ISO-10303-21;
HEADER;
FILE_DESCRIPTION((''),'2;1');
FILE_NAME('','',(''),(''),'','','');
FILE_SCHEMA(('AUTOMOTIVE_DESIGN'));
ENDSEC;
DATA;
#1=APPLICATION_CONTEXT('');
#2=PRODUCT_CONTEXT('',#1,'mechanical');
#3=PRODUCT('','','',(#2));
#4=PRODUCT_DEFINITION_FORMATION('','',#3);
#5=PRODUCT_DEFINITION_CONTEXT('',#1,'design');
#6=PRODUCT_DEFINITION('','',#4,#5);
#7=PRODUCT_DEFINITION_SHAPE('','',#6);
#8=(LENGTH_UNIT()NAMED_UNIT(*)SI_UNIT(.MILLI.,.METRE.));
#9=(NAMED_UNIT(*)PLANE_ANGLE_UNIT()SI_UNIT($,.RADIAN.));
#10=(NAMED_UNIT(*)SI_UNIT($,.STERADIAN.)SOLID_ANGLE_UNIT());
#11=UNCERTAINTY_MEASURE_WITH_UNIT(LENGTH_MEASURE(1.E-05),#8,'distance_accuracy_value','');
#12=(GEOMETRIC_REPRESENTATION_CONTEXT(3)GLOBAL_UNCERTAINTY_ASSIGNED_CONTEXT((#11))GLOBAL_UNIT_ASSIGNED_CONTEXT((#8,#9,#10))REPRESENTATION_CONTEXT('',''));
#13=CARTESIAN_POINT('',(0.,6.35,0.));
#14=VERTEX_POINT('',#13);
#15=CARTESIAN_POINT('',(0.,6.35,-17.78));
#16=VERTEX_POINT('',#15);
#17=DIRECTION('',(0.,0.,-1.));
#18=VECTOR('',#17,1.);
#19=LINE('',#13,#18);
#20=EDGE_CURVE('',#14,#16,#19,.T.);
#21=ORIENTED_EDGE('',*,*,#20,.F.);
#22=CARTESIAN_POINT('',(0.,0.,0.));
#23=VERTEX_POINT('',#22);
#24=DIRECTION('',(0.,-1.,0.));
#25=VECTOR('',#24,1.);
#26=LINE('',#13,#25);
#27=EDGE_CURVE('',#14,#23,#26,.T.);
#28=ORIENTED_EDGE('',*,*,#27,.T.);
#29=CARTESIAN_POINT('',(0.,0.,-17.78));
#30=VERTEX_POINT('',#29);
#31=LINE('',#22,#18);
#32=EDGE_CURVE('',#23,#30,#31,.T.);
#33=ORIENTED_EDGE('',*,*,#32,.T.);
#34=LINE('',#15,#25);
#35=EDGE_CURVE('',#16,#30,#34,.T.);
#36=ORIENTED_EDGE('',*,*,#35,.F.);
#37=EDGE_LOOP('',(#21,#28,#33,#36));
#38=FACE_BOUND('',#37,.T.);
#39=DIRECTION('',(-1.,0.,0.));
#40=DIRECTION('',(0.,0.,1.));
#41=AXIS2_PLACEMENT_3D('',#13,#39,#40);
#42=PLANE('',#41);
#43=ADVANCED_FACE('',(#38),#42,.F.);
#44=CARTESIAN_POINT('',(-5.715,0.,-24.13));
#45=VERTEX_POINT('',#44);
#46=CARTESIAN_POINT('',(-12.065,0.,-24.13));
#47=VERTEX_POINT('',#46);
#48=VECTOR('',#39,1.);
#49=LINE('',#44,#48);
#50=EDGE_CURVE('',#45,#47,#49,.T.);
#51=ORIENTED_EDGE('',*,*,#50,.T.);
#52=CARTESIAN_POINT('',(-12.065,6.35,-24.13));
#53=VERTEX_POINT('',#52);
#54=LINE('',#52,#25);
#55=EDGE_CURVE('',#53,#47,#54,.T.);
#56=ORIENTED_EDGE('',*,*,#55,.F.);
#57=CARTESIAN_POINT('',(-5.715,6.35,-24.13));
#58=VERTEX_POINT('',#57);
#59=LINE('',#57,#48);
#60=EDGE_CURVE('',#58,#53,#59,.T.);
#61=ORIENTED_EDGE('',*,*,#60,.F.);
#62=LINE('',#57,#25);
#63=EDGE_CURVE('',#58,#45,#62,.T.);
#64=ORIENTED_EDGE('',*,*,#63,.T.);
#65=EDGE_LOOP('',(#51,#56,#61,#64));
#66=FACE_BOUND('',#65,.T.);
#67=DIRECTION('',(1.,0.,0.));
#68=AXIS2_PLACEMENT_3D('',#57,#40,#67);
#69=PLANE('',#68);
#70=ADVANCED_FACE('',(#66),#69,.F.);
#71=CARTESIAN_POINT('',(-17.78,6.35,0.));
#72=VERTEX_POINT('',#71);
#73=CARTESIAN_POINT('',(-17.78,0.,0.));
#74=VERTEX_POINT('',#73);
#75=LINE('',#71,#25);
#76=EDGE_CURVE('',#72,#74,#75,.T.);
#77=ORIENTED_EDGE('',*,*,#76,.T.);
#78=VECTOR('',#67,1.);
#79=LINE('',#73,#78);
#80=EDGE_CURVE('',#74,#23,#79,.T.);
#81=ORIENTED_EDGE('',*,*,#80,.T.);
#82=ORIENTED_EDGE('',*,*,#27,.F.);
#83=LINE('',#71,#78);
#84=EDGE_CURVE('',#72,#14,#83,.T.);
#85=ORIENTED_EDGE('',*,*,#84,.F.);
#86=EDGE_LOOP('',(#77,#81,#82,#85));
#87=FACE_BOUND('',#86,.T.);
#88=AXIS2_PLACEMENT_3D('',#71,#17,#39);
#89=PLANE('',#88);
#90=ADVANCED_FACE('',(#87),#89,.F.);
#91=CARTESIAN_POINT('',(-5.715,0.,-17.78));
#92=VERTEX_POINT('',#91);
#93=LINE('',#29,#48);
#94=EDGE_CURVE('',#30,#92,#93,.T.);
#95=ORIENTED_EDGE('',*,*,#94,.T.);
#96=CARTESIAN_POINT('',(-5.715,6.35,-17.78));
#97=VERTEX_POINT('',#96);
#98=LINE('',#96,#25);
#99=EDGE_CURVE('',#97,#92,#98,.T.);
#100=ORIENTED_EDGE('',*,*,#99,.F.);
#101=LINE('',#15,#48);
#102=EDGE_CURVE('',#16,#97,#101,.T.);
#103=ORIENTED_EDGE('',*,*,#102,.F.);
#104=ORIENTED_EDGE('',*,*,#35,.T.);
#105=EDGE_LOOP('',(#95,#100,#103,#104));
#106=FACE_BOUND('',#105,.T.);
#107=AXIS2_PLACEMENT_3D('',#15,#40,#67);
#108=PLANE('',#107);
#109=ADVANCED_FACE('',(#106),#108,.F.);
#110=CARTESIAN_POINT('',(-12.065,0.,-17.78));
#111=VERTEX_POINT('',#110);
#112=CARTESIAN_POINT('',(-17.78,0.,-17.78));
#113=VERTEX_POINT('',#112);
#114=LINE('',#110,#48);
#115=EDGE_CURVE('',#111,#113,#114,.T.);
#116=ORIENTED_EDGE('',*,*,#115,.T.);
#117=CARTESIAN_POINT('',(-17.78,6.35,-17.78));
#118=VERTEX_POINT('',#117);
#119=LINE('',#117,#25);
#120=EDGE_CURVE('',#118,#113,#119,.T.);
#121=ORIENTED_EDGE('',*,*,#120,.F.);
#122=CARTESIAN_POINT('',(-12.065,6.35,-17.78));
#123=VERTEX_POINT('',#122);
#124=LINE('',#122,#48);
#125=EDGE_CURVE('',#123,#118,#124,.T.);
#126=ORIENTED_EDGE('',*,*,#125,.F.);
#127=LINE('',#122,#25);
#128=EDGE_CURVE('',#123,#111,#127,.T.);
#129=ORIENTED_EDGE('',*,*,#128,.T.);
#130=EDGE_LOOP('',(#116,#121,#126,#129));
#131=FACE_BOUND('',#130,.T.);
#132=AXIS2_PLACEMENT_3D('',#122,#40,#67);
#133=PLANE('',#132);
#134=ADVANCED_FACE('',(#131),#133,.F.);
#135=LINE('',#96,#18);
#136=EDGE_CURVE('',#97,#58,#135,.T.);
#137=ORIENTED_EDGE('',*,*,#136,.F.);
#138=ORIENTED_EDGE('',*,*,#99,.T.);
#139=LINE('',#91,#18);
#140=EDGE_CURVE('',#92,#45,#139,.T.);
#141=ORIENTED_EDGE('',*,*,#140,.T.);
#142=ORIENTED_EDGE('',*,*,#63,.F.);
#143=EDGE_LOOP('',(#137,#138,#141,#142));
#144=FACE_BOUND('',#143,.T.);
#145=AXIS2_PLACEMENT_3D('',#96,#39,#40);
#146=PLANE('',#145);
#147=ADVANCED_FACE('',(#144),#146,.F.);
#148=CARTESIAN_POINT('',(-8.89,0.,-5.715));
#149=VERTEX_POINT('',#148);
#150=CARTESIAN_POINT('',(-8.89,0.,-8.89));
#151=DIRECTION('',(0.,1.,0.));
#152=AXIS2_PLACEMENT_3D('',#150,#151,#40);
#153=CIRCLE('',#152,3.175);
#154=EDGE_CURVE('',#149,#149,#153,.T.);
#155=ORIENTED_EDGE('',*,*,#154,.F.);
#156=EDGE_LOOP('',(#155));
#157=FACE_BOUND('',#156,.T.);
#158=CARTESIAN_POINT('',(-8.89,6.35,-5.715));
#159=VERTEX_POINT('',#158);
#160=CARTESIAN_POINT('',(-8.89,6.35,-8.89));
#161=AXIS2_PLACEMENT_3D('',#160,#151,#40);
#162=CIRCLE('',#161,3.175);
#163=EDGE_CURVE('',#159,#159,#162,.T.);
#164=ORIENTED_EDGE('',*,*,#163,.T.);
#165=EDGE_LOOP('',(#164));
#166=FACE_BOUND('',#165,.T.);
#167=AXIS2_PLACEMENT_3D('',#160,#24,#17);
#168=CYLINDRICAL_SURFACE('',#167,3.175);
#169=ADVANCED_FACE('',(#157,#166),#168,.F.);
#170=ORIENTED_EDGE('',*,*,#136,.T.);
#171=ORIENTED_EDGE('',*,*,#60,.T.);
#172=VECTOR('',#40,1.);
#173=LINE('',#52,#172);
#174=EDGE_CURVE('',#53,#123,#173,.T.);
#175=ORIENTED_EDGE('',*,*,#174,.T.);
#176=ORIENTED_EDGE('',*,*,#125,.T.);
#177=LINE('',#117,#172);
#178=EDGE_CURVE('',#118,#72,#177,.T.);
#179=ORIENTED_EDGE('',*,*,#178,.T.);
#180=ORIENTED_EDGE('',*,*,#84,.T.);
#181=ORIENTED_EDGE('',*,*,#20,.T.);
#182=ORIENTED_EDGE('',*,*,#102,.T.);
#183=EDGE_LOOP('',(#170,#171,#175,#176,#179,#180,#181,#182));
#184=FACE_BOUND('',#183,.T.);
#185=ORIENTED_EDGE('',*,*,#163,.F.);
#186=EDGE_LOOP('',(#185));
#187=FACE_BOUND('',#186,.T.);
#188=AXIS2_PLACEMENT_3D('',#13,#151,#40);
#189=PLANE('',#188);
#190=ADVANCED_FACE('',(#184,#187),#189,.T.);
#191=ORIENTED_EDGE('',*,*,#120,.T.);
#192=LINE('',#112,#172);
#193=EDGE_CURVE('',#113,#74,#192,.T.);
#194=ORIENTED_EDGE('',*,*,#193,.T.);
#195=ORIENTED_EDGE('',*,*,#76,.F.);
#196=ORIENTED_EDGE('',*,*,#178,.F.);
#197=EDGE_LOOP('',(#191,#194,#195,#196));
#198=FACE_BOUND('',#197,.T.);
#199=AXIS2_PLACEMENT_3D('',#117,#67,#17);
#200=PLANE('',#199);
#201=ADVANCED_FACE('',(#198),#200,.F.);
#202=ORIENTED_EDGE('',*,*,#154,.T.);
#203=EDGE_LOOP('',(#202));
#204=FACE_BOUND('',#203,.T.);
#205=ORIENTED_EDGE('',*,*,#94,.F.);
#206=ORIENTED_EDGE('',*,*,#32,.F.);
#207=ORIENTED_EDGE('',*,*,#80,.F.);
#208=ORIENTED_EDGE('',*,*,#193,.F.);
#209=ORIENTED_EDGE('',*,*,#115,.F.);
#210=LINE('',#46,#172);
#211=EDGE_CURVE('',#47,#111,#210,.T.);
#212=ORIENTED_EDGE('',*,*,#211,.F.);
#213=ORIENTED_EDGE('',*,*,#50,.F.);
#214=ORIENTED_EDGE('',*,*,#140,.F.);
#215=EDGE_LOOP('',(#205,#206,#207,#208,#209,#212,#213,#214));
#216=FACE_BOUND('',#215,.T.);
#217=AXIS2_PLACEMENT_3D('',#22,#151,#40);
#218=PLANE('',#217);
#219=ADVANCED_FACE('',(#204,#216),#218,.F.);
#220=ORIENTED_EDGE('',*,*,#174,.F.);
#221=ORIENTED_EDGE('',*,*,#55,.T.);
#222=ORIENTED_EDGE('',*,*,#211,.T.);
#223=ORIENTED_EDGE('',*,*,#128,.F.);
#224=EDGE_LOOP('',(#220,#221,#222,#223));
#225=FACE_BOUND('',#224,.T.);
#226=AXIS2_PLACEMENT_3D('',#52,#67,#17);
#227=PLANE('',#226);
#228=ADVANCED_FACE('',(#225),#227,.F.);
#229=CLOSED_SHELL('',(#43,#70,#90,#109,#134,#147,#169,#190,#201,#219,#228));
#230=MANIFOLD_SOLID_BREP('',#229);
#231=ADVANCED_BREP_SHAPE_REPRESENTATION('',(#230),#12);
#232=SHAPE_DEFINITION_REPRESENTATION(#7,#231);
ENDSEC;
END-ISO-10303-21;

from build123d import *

# Parameters (mm, degrees)
SKETCH1_R           = 3.175
BOSS_EXTRUDE1_DEPTH = 6.35


with BuildPart() as part:
    # Sketch1 → Boss-Extrude1 (new body)
    with BuildSketch(Plane(origin=(0, 0, 0), x_dir=(1, 0, 0), z_dir=(0, 1, 0))):
        Polygon((0, 0), (0, 17.78), (-5.715, 17.78), (-5.715, 24.13), (-12.065, 24.13), (-12.065, 17.78), (-17.78, 17.78), (-17.78, 0), align=None)
        with Locations(Location((-8.89, 8.89, 0), (0, 0, 270))):
            Circle(SKETCH1_R, mode=Mode.SUBTRACT)
    extrude(amount=BOSS_EXTRUDE1_DEPTH)


solid = part.part
